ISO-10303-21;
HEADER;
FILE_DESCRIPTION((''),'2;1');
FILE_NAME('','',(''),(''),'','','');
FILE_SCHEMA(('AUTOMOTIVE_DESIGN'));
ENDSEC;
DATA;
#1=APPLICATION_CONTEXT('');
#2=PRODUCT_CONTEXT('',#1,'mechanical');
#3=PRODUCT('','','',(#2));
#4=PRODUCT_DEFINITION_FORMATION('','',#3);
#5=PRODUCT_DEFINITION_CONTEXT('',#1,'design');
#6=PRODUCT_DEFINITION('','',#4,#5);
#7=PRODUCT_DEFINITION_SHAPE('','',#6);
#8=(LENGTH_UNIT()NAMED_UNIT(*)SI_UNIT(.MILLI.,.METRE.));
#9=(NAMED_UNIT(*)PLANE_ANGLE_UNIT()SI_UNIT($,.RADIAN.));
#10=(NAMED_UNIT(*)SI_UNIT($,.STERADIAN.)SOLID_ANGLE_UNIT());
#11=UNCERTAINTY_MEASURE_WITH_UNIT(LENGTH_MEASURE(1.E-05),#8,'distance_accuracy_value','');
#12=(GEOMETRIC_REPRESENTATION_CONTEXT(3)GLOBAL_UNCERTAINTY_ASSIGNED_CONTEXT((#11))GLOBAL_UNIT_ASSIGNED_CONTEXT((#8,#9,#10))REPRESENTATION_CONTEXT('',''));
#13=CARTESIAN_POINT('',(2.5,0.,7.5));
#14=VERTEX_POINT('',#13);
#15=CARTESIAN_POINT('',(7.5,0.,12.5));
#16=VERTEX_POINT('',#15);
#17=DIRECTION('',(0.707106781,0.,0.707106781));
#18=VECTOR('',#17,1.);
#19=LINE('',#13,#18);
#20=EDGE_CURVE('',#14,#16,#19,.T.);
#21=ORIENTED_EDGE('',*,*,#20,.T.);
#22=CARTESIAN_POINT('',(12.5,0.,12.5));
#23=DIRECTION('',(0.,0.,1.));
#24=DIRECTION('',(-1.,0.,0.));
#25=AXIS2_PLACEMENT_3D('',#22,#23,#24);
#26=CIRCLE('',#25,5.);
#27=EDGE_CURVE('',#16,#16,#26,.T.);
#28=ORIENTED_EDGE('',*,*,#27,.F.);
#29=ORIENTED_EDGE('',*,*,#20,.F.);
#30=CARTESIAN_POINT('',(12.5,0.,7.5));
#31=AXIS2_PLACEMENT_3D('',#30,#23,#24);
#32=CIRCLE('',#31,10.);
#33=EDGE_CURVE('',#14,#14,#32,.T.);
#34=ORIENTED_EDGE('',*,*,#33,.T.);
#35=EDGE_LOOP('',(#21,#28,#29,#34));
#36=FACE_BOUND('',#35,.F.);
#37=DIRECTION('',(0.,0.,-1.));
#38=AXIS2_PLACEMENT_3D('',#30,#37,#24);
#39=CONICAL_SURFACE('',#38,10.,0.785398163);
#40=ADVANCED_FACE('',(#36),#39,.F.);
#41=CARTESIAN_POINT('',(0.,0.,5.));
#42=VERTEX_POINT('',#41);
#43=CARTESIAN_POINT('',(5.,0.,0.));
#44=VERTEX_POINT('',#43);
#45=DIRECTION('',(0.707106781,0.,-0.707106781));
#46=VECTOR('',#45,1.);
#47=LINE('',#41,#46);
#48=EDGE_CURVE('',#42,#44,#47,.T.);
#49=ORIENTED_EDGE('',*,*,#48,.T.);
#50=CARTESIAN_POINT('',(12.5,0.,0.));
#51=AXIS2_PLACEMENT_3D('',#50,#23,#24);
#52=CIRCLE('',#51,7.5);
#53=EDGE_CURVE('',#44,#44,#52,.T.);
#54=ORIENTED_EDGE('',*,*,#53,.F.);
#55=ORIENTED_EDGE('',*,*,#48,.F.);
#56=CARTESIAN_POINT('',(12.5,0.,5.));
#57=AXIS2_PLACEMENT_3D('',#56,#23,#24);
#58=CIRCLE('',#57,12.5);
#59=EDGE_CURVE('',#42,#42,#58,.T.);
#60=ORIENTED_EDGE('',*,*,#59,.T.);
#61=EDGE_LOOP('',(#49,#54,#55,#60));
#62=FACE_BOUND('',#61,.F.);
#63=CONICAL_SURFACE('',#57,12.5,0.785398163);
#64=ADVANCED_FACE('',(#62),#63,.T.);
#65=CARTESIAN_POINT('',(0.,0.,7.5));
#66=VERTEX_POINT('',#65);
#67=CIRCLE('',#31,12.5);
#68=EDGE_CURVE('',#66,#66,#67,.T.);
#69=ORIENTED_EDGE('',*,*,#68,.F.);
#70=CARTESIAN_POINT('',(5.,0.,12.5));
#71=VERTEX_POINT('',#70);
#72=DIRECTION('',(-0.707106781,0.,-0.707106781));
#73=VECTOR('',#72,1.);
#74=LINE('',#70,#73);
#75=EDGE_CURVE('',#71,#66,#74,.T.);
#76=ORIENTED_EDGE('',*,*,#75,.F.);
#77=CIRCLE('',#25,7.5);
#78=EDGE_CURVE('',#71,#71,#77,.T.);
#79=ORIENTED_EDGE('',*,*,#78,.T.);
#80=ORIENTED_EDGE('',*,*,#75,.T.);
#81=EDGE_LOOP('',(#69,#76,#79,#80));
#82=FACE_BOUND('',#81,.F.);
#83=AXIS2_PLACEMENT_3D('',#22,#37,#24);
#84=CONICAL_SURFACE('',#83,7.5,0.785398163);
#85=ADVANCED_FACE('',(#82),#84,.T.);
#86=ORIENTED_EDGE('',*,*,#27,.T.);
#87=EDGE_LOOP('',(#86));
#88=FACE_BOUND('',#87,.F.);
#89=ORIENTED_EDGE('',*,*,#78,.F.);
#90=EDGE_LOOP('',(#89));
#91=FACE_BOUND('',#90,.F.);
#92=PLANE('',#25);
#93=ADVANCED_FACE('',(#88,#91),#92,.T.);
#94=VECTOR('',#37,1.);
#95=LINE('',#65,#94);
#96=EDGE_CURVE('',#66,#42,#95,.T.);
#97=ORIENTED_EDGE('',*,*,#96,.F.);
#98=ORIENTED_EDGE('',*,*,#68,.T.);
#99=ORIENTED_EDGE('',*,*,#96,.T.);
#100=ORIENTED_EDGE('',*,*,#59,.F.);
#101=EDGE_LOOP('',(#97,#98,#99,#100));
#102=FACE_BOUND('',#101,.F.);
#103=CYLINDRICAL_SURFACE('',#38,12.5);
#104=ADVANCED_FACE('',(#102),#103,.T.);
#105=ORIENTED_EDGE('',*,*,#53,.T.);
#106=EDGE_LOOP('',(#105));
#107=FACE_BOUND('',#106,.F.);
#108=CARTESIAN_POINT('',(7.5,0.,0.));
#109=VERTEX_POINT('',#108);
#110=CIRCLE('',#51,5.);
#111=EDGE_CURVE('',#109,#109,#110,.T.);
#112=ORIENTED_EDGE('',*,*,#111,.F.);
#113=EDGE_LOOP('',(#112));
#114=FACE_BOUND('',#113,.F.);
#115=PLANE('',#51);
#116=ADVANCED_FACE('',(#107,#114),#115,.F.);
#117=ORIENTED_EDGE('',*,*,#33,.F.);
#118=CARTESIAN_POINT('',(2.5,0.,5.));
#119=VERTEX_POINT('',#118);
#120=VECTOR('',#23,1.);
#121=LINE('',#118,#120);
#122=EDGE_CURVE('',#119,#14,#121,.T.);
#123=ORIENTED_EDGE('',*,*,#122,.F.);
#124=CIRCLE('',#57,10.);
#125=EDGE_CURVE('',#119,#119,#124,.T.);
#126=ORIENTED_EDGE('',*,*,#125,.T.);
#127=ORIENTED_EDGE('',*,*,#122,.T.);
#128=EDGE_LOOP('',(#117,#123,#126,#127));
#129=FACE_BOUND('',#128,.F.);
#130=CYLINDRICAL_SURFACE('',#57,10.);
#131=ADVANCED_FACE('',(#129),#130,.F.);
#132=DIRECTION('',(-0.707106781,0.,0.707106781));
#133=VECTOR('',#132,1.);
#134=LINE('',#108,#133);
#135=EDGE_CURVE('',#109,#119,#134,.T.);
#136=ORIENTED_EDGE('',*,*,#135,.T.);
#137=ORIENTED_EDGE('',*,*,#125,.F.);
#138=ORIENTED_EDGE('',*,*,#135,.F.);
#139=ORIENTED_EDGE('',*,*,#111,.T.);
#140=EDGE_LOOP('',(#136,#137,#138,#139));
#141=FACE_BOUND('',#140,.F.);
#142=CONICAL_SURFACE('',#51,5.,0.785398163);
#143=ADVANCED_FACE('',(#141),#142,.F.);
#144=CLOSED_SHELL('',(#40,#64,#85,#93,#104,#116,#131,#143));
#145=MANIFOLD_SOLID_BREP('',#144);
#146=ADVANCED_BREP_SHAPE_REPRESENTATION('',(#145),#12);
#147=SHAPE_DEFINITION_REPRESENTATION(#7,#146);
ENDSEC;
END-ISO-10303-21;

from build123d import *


with BuildPart() as f1:
    # F0 (on Front) → F1 (revolve)
    with BuildSketch(Plane.XZ):
        Polygon((5, 12.5), (0, 7.5), (2.5, 7.5), (7.5, 12.5), align=None)
        Polygon((0, 7.5), (0, 5), (2.5, 5), (2.5, 6.25), (2.5, 7.5), align=None)
        Polygon((2.5, 5), (0, 5), (5, 0), (7.5, 0), align=None)
    revolve(axis=Axis((12.5, 0, 9.325136), (0, 0, 1)))


solid = f1.part
